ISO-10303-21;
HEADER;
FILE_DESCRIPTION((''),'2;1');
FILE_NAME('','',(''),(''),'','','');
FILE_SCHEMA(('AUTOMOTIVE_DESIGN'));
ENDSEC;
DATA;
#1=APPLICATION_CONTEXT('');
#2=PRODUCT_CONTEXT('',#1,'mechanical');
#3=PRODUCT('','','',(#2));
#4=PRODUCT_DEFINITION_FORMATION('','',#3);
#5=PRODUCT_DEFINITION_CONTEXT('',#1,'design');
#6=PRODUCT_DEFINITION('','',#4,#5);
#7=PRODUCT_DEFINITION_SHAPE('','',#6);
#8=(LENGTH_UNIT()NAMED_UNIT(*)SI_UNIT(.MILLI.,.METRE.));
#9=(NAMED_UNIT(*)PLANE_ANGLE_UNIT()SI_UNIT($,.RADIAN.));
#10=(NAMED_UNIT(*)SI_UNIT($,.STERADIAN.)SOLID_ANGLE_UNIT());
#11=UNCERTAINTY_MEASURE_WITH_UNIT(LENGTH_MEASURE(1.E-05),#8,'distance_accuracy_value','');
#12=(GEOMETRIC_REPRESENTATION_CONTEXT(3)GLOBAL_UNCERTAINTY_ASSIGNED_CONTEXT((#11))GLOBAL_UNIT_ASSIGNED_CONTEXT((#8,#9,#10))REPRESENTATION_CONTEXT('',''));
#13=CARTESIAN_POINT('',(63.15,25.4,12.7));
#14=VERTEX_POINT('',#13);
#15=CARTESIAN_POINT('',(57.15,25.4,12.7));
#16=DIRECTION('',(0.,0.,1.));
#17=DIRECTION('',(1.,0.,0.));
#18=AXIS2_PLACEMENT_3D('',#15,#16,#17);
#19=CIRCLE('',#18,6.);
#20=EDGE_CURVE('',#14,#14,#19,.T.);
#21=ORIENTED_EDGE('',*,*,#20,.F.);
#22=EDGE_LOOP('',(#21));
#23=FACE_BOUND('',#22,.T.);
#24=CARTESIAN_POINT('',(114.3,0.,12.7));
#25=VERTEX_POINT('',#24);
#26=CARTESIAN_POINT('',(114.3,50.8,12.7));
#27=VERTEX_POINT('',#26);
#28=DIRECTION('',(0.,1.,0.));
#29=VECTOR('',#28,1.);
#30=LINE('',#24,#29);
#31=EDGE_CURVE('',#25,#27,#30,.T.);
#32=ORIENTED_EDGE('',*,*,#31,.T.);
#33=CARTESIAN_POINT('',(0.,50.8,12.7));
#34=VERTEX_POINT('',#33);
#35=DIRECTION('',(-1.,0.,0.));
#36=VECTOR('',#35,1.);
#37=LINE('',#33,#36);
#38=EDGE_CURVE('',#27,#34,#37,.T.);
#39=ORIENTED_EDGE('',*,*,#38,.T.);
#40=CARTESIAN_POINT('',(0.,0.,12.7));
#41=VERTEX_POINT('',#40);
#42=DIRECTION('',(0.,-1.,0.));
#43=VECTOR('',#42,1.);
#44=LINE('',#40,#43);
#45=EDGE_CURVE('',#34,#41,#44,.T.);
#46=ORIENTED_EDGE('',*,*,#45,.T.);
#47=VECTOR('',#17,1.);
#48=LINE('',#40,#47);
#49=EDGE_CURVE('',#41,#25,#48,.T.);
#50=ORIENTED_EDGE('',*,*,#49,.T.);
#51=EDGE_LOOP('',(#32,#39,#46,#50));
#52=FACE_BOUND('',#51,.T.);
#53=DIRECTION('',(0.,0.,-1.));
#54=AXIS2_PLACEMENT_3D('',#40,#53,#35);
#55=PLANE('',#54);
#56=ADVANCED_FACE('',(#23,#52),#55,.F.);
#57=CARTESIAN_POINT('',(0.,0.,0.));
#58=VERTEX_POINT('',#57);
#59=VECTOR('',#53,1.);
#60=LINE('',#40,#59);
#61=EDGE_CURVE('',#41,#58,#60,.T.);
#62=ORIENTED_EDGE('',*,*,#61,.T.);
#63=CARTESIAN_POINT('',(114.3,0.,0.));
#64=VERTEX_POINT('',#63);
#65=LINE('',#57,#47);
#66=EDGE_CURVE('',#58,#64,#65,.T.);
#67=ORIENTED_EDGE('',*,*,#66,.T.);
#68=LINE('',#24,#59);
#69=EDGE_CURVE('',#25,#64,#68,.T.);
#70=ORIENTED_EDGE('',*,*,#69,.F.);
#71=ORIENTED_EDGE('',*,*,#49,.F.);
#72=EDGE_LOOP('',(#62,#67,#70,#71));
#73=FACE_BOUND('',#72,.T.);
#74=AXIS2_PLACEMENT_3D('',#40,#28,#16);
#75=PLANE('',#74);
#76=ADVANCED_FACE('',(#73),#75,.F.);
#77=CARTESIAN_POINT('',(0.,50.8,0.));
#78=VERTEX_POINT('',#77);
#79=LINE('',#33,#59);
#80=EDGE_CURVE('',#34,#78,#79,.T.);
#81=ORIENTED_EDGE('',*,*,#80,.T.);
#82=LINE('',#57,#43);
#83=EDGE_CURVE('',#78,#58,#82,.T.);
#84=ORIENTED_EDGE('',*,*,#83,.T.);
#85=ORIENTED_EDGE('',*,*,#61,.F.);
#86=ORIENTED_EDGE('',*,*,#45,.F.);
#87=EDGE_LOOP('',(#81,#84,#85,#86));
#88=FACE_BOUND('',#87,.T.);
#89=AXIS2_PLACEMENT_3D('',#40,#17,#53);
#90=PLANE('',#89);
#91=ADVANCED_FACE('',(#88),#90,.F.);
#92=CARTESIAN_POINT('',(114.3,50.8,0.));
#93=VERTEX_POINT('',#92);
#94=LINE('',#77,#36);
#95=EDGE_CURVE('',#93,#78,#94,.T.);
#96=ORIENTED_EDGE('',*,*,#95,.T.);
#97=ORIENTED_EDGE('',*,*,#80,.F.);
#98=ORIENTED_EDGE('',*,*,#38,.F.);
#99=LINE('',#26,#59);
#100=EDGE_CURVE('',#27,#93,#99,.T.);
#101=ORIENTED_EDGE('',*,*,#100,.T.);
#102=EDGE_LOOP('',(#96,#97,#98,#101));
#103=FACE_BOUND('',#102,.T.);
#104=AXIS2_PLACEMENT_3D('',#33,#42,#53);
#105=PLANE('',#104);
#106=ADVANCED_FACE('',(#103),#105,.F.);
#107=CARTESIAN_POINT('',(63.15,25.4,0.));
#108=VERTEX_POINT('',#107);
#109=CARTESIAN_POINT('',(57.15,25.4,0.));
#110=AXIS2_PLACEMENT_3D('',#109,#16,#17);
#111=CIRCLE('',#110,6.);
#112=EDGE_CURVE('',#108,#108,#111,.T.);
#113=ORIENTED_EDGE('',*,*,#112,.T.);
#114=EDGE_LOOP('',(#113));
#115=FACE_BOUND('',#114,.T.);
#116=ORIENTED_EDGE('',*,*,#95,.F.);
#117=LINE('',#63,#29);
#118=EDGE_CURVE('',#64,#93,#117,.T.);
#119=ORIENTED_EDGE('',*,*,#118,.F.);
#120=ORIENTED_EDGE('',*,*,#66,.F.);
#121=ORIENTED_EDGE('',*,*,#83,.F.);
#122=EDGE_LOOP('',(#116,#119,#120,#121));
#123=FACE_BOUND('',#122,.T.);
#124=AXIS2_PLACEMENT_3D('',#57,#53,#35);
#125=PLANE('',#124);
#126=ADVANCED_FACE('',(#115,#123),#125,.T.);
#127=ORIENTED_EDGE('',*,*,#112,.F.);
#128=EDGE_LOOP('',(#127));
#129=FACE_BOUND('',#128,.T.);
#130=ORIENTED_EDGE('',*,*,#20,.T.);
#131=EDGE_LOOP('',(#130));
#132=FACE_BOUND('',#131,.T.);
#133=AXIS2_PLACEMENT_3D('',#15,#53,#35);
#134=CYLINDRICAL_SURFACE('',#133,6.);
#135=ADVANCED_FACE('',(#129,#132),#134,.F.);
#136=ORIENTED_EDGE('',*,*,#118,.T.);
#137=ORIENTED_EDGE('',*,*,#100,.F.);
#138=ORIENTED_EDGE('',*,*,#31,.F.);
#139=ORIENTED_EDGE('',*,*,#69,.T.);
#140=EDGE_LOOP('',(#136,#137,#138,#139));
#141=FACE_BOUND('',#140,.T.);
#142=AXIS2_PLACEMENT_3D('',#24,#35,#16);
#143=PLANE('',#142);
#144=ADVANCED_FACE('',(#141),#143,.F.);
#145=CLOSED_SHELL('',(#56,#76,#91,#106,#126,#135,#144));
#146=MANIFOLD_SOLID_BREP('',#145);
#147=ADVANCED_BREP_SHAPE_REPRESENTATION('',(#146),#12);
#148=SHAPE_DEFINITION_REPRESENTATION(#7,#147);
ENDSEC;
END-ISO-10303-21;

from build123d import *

# Parameters (mm, degrees)
SKETCH1_W           = 114.3
SKETCH1_H           = 50.8
SKETCH1_R           = 6
BOSS_EXTRUDE1_DEPTH = 12.7


with BuildPart() as part:
    # Sketch1 → Boss-Extrude1 (new body)
    with BuildSketch(Plane.XY):
        with Locations((57.15, 25.4)):
            Rectangle(SKETCH1_W, SKETCH1_H)
        with Locations((57.15, 25.4)):
            Circle(SKETCH1_R, mode=Mode.SUBTRACT)
    extrude(amount=BOSS_EXTRUDE1_DEPTH)


solid = part.part
